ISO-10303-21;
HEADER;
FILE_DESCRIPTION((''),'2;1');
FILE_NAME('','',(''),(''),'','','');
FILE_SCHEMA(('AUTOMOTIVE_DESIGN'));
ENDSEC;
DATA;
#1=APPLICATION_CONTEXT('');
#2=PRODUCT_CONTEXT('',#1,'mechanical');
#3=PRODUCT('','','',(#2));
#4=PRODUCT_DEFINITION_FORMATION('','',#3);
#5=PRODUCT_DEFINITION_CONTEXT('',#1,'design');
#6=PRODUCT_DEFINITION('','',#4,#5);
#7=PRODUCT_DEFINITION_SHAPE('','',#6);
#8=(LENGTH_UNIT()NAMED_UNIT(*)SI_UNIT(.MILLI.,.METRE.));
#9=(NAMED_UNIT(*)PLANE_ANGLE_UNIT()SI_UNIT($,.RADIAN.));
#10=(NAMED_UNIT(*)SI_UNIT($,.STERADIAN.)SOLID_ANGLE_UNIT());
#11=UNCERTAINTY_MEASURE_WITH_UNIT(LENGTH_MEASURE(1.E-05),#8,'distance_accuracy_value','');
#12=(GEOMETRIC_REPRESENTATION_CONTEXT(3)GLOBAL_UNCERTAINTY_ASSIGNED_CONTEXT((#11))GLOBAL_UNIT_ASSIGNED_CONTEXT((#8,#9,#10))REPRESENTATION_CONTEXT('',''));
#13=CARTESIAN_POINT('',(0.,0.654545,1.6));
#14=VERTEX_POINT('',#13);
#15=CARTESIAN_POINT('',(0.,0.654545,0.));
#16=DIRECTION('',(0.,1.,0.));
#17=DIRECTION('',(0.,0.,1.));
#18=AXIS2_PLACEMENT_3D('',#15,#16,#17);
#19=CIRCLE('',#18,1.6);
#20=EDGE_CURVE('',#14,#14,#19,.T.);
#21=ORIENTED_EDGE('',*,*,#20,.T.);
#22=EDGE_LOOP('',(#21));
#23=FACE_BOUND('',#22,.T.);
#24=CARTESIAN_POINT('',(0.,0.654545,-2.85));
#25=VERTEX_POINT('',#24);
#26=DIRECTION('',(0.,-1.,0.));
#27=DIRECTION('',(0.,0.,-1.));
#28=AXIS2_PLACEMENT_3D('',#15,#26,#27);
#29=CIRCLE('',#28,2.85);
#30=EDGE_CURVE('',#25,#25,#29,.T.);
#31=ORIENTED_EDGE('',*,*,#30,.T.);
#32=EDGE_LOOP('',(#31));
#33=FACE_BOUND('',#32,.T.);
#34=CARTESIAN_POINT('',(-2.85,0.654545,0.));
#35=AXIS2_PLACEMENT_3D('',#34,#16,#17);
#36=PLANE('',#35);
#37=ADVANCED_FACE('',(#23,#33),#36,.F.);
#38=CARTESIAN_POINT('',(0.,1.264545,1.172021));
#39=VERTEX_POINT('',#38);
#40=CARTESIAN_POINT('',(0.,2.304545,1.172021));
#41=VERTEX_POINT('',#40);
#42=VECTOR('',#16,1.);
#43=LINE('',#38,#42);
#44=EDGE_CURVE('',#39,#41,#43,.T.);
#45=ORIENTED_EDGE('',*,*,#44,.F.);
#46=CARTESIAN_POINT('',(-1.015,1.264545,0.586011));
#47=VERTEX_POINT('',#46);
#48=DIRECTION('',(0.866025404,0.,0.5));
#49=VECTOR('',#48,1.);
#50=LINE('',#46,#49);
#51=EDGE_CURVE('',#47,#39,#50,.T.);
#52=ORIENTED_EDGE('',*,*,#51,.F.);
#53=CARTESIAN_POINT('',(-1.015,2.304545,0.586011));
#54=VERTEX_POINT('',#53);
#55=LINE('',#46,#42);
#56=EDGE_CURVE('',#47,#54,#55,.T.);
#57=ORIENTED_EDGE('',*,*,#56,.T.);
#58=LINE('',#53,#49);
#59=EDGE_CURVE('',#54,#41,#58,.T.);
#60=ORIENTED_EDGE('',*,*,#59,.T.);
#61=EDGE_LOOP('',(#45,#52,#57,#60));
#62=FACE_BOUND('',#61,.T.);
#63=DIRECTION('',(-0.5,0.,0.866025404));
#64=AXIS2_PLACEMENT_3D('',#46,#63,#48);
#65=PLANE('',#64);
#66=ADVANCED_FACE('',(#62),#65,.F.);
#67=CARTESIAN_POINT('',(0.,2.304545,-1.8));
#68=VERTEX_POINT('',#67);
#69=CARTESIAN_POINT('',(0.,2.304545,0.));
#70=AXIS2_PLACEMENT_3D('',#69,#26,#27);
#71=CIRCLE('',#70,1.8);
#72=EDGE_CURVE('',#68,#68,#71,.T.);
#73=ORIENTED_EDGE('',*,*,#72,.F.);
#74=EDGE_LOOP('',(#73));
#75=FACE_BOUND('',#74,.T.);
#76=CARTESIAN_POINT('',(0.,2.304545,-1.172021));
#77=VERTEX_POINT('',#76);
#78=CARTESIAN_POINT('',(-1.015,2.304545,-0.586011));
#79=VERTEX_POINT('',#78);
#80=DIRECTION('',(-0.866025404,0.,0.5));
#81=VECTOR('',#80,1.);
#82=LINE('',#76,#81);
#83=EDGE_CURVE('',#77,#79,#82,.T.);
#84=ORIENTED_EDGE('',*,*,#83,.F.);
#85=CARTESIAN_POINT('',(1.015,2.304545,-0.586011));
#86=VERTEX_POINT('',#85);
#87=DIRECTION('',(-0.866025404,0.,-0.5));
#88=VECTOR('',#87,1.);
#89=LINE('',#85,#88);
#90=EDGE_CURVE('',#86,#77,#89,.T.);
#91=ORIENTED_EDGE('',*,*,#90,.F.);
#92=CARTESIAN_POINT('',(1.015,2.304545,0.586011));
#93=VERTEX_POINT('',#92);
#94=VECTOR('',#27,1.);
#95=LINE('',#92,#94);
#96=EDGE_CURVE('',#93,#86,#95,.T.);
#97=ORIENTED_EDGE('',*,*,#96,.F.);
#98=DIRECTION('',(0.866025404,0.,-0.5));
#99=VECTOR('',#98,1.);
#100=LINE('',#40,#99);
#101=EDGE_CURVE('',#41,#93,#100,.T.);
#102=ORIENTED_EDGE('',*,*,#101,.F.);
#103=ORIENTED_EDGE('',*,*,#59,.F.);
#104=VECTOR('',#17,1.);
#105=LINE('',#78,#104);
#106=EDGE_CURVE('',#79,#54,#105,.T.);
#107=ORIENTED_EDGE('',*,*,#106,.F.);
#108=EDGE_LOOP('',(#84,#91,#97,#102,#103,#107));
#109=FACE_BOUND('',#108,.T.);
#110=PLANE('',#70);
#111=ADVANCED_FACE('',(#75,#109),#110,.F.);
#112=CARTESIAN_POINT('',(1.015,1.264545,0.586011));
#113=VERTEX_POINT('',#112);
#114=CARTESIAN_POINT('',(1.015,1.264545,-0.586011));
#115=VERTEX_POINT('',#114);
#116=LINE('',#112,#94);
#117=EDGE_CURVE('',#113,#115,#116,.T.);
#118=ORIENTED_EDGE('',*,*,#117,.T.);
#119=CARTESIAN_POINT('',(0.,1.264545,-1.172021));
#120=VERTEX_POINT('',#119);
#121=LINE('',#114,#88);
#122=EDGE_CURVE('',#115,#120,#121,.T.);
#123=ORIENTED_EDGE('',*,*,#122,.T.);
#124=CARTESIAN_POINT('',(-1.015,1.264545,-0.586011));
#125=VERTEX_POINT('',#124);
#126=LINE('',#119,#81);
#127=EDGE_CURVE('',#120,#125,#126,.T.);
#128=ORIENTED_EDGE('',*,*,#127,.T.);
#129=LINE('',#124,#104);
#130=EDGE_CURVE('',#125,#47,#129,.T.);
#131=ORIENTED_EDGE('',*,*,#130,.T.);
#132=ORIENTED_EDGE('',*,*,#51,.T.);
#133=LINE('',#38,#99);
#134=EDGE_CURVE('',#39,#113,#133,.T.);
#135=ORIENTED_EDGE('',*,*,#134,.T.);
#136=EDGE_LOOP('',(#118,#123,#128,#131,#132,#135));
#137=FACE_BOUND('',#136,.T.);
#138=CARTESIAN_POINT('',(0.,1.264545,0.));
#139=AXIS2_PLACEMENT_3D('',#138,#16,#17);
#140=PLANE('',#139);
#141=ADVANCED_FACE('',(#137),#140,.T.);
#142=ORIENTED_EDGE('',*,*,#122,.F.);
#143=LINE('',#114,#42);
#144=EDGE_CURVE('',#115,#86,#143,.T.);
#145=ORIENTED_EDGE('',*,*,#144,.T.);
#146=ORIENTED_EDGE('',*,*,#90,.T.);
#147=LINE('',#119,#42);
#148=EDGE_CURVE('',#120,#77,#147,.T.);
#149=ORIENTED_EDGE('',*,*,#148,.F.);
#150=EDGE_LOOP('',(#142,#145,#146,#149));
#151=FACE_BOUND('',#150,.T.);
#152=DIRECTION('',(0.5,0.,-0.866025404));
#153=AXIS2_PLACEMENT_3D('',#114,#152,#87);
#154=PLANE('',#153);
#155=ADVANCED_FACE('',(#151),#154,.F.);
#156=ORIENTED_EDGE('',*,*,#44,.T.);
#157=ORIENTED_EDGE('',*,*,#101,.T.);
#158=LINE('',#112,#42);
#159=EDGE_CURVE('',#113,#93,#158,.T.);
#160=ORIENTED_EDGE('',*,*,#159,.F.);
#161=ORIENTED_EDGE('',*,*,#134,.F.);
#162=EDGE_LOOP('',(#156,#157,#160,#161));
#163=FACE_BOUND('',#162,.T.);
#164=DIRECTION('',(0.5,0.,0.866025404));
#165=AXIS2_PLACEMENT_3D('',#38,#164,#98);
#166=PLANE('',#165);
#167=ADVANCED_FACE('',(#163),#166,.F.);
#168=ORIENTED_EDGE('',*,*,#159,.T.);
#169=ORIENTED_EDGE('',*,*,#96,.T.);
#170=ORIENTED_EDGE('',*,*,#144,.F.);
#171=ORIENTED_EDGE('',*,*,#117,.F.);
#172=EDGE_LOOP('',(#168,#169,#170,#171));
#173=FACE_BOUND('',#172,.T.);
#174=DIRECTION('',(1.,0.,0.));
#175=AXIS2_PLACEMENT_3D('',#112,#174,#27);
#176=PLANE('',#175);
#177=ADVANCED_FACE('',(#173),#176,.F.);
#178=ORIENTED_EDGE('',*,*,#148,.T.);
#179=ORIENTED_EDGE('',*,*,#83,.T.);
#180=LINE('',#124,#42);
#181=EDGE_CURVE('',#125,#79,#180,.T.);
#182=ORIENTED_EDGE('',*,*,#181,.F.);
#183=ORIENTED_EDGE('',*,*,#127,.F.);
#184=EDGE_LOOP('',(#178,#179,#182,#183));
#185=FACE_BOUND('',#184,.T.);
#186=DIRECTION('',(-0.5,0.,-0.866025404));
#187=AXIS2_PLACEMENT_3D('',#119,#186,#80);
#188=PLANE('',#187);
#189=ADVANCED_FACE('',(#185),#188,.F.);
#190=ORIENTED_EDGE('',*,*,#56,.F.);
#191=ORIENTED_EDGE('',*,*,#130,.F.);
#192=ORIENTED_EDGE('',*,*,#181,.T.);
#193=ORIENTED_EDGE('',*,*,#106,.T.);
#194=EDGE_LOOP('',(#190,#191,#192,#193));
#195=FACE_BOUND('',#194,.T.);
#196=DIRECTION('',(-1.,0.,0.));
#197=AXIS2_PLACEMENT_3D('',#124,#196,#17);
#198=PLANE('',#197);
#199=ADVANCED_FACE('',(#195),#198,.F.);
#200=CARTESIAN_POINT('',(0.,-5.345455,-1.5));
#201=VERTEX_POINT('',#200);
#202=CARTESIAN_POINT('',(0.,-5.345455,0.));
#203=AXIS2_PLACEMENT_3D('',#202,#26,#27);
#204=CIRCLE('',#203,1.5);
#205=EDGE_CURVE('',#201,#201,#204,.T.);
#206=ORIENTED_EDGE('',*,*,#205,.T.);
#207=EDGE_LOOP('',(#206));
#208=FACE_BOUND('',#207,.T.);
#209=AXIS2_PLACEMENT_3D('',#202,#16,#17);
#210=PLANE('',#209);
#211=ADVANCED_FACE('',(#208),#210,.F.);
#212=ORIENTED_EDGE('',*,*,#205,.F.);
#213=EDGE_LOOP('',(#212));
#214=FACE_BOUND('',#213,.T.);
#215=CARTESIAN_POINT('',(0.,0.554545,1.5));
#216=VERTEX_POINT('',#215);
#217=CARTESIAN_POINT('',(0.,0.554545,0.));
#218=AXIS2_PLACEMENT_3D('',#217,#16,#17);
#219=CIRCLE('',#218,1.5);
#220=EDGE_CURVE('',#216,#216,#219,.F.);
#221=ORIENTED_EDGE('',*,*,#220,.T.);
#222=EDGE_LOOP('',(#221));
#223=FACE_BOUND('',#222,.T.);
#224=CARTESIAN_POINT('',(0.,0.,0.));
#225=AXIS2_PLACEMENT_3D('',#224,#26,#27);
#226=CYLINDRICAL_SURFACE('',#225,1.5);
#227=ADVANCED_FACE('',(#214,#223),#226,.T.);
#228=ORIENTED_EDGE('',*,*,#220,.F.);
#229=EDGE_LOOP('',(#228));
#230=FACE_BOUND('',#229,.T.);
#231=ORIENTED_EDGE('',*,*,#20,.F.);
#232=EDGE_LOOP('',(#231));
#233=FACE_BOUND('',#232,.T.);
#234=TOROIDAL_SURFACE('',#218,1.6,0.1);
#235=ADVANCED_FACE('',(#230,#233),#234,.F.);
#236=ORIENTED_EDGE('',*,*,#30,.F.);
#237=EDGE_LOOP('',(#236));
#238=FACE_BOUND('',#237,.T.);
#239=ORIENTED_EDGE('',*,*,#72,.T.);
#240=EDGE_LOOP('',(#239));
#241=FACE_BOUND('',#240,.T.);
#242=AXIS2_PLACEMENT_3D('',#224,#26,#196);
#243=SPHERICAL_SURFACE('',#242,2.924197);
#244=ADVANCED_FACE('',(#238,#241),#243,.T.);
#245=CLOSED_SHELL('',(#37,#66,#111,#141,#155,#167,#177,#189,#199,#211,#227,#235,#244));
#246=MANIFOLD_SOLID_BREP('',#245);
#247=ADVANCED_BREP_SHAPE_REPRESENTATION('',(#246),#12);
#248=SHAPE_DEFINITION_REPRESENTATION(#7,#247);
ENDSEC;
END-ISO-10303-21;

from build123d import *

# Parameters (mm, degrees)
CUT_EXTRUDE_1_DEPTH = 1.04
FILLET_1_R          = 0.1


with BuildPart() as part:
    # 草图1 → 旋转1 (revolve)
    with BuildSketch(Plane.XY):
        with BuildLine():
            Line((0, 2.304545455), (-1.8, 2.304545455))
            ThreePointArc((-1.8, 2.304545455), (-2.467032631, 1.569929856), (-2.85, 0.654545455))
            Line((-2.85, 0.654545455), (-1.5, 0.654545455))
            Line((-1.5, 0.654545455), (-1.5, -5.345454545))
            Line((-1.5, -5.345454545), (0, -5.345454545))
            Line((0, -5.345454545), (0, 2.304545455))
        make_face()
    revolve(axis=Axis((0, 0, 0), (0, 1, 0)))

    # 草图2 → 切除-拉伸1 (cut)
    with BuildSketch(Plane(origin=(0, 2.304545455, 0), x_dir=(1, 0, 0), z_dir=(0, 1, 0))):
        Polygon((0, -1.172021046), (1.015, -0.586010523), (1.015, 0.586010523), (0, 1.172021046), (-1.015, 0.586010523), (-1.015, -0.586010523), align=None)
    extrude(amount=-CUT_EXTRUDE_1_DEPTH, mode=Mode.SUBTRACT)

    # 圆角1
    fillet_1_edges = [part.edges().sort_by_distance(p)[0] for p in [
        (1.5, 0.654545455, 0),
    ]]
    fillet(fillet_1_edges, radius=FILLET_1_R)


solid = part.part
